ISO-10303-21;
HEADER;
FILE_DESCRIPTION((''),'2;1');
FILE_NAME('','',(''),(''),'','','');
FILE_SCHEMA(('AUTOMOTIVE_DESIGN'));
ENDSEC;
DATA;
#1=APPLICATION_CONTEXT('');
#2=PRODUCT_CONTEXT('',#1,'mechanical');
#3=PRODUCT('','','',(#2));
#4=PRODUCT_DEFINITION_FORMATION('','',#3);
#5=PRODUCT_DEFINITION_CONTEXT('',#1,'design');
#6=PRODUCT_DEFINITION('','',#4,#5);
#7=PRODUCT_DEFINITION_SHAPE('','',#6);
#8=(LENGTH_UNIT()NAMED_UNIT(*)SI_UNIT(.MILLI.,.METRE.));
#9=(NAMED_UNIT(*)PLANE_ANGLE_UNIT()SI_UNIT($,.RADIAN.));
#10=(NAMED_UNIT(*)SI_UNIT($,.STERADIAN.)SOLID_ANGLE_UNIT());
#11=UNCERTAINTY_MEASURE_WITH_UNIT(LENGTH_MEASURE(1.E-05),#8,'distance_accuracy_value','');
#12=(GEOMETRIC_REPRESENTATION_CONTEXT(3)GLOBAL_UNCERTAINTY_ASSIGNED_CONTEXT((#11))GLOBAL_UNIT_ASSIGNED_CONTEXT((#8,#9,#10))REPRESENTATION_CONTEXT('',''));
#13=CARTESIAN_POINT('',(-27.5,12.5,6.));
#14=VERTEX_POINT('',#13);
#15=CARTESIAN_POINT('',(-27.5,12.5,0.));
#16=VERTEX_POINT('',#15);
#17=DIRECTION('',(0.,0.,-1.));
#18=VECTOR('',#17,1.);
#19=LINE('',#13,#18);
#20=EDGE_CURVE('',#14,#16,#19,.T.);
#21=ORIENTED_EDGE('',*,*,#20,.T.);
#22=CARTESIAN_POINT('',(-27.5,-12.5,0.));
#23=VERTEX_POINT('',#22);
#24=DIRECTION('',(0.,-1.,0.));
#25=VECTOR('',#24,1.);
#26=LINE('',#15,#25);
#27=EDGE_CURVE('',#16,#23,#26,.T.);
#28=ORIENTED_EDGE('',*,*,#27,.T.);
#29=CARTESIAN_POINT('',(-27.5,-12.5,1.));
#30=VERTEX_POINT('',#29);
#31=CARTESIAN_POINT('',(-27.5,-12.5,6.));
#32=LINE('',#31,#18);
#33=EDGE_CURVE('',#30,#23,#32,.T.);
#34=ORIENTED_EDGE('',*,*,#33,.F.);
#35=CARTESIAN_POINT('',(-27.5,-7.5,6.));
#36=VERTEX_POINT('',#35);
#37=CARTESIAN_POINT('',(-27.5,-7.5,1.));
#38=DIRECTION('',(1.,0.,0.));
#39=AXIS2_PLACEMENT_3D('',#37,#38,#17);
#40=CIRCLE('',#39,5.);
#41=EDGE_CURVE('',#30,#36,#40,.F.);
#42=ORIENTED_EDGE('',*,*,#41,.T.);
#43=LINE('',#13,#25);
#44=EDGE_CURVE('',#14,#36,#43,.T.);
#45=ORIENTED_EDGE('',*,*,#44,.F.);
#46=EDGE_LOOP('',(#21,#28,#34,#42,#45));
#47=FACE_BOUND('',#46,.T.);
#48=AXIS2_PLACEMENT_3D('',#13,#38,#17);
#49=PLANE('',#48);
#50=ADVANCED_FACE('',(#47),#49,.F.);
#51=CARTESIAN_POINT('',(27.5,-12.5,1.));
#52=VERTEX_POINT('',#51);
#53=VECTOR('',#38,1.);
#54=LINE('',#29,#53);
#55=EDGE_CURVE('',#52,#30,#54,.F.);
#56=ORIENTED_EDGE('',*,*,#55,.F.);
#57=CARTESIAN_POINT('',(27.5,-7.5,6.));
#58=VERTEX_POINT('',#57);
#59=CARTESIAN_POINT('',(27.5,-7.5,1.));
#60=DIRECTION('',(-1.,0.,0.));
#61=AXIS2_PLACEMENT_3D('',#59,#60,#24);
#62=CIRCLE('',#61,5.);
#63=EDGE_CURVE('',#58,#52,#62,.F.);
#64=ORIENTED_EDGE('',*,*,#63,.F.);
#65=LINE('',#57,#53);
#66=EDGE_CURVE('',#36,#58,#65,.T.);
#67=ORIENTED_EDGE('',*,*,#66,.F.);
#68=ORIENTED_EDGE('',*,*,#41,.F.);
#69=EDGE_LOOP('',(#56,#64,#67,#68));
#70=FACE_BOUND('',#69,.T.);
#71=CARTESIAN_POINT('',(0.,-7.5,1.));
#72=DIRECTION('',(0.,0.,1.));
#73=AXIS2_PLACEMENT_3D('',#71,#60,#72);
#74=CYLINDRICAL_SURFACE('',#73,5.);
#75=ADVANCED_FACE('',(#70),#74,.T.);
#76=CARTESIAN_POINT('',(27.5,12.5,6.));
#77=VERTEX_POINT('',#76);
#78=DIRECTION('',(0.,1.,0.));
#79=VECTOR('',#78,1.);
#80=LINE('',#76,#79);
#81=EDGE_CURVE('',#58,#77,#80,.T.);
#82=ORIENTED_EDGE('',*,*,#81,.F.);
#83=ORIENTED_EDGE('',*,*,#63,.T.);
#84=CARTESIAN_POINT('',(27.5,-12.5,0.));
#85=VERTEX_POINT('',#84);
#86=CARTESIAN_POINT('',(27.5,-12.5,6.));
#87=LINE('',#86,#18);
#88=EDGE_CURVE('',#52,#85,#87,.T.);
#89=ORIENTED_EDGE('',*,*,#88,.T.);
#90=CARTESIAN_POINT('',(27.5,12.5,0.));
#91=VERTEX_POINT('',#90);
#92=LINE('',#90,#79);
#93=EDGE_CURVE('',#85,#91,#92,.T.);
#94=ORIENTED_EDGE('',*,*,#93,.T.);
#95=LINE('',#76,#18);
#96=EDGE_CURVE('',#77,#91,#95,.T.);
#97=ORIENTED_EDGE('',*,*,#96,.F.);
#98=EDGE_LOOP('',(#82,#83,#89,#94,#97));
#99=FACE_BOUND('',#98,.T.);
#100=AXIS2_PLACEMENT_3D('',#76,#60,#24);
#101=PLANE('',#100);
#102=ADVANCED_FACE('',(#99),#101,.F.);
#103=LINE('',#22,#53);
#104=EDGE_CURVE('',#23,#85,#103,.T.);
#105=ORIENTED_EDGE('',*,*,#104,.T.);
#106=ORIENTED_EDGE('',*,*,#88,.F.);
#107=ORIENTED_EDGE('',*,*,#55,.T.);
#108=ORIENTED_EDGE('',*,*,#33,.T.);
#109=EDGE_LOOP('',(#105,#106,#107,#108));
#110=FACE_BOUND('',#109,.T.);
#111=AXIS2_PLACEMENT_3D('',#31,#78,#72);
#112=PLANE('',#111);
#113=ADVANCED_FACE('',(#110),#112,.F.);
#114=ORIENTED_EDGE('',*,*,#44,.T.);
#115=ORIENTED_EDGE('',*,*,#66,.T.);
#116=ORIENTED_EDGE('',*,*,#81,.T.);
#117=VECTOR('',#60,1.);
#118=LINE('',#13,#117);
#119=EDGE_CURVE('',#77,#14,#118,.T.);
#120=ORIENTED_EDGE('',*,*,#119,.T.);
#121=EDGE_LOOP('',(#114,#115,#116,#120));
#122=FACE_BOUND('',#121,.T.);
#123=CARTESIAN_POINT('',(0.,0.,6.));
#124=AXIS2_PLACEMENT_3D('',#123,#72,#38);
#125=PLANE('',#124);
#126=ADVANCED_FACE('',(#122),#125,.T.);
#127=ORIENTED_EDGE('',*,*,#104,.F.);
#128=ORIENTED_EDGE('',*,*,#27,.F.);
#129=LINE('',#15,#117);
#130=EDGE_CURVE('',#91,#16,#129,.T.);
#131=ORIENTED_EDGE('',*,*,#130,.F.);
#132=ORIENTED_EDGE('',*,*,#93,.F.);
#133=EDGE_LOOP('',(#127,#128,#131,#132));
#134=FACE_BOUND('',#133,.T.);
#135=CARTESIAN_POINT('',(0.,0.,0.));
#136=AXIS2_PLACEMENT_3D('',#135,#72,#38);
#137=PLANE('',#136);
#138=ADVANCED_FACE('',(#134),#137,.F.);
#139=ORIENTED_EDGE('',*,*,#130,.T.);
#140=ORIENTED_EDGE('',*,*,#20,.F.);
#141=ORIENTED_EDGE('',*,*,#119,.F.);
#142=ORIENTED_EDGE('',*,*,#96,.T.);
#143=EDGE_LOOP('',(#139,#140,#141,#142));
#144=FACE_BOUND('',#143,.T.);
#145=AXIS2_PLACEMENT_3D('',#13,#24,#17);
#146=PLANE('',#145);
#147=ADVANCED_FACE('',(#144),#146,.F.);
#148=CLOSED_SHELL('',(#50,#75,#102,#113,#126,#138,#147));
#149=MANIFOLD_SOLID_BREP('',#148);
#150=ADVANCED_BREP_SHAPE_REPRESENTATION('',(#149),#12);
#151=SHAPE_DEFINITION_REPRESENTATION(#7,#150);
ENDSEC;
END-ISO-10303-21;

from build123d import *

# Parameters (mm, degrees)
SKETCH1_W           = 55
SKETCH1_H           = 25
BOSS_EXTRUDE1_DEPTH = 6
FILLET1_R           = 5


with BuildPart() as part:
    # Sketch1 → Boss-Extrude1 (new body)
    with BuildSketch(Plane.XY):
        Rectangle(SKETCH1_W, SKETCH1_H)
    extrude(amount=BOSS_EXTRUDE1_DEPTH)

    # Fillet1
    fillet1_edges = [part.edges().sort_by_distance(p)[0] for p in [
        (0, -12.5, 6),
    ]]
    fillet(fillet1_edges, radius=FILLET1_R)


solid = part.part
